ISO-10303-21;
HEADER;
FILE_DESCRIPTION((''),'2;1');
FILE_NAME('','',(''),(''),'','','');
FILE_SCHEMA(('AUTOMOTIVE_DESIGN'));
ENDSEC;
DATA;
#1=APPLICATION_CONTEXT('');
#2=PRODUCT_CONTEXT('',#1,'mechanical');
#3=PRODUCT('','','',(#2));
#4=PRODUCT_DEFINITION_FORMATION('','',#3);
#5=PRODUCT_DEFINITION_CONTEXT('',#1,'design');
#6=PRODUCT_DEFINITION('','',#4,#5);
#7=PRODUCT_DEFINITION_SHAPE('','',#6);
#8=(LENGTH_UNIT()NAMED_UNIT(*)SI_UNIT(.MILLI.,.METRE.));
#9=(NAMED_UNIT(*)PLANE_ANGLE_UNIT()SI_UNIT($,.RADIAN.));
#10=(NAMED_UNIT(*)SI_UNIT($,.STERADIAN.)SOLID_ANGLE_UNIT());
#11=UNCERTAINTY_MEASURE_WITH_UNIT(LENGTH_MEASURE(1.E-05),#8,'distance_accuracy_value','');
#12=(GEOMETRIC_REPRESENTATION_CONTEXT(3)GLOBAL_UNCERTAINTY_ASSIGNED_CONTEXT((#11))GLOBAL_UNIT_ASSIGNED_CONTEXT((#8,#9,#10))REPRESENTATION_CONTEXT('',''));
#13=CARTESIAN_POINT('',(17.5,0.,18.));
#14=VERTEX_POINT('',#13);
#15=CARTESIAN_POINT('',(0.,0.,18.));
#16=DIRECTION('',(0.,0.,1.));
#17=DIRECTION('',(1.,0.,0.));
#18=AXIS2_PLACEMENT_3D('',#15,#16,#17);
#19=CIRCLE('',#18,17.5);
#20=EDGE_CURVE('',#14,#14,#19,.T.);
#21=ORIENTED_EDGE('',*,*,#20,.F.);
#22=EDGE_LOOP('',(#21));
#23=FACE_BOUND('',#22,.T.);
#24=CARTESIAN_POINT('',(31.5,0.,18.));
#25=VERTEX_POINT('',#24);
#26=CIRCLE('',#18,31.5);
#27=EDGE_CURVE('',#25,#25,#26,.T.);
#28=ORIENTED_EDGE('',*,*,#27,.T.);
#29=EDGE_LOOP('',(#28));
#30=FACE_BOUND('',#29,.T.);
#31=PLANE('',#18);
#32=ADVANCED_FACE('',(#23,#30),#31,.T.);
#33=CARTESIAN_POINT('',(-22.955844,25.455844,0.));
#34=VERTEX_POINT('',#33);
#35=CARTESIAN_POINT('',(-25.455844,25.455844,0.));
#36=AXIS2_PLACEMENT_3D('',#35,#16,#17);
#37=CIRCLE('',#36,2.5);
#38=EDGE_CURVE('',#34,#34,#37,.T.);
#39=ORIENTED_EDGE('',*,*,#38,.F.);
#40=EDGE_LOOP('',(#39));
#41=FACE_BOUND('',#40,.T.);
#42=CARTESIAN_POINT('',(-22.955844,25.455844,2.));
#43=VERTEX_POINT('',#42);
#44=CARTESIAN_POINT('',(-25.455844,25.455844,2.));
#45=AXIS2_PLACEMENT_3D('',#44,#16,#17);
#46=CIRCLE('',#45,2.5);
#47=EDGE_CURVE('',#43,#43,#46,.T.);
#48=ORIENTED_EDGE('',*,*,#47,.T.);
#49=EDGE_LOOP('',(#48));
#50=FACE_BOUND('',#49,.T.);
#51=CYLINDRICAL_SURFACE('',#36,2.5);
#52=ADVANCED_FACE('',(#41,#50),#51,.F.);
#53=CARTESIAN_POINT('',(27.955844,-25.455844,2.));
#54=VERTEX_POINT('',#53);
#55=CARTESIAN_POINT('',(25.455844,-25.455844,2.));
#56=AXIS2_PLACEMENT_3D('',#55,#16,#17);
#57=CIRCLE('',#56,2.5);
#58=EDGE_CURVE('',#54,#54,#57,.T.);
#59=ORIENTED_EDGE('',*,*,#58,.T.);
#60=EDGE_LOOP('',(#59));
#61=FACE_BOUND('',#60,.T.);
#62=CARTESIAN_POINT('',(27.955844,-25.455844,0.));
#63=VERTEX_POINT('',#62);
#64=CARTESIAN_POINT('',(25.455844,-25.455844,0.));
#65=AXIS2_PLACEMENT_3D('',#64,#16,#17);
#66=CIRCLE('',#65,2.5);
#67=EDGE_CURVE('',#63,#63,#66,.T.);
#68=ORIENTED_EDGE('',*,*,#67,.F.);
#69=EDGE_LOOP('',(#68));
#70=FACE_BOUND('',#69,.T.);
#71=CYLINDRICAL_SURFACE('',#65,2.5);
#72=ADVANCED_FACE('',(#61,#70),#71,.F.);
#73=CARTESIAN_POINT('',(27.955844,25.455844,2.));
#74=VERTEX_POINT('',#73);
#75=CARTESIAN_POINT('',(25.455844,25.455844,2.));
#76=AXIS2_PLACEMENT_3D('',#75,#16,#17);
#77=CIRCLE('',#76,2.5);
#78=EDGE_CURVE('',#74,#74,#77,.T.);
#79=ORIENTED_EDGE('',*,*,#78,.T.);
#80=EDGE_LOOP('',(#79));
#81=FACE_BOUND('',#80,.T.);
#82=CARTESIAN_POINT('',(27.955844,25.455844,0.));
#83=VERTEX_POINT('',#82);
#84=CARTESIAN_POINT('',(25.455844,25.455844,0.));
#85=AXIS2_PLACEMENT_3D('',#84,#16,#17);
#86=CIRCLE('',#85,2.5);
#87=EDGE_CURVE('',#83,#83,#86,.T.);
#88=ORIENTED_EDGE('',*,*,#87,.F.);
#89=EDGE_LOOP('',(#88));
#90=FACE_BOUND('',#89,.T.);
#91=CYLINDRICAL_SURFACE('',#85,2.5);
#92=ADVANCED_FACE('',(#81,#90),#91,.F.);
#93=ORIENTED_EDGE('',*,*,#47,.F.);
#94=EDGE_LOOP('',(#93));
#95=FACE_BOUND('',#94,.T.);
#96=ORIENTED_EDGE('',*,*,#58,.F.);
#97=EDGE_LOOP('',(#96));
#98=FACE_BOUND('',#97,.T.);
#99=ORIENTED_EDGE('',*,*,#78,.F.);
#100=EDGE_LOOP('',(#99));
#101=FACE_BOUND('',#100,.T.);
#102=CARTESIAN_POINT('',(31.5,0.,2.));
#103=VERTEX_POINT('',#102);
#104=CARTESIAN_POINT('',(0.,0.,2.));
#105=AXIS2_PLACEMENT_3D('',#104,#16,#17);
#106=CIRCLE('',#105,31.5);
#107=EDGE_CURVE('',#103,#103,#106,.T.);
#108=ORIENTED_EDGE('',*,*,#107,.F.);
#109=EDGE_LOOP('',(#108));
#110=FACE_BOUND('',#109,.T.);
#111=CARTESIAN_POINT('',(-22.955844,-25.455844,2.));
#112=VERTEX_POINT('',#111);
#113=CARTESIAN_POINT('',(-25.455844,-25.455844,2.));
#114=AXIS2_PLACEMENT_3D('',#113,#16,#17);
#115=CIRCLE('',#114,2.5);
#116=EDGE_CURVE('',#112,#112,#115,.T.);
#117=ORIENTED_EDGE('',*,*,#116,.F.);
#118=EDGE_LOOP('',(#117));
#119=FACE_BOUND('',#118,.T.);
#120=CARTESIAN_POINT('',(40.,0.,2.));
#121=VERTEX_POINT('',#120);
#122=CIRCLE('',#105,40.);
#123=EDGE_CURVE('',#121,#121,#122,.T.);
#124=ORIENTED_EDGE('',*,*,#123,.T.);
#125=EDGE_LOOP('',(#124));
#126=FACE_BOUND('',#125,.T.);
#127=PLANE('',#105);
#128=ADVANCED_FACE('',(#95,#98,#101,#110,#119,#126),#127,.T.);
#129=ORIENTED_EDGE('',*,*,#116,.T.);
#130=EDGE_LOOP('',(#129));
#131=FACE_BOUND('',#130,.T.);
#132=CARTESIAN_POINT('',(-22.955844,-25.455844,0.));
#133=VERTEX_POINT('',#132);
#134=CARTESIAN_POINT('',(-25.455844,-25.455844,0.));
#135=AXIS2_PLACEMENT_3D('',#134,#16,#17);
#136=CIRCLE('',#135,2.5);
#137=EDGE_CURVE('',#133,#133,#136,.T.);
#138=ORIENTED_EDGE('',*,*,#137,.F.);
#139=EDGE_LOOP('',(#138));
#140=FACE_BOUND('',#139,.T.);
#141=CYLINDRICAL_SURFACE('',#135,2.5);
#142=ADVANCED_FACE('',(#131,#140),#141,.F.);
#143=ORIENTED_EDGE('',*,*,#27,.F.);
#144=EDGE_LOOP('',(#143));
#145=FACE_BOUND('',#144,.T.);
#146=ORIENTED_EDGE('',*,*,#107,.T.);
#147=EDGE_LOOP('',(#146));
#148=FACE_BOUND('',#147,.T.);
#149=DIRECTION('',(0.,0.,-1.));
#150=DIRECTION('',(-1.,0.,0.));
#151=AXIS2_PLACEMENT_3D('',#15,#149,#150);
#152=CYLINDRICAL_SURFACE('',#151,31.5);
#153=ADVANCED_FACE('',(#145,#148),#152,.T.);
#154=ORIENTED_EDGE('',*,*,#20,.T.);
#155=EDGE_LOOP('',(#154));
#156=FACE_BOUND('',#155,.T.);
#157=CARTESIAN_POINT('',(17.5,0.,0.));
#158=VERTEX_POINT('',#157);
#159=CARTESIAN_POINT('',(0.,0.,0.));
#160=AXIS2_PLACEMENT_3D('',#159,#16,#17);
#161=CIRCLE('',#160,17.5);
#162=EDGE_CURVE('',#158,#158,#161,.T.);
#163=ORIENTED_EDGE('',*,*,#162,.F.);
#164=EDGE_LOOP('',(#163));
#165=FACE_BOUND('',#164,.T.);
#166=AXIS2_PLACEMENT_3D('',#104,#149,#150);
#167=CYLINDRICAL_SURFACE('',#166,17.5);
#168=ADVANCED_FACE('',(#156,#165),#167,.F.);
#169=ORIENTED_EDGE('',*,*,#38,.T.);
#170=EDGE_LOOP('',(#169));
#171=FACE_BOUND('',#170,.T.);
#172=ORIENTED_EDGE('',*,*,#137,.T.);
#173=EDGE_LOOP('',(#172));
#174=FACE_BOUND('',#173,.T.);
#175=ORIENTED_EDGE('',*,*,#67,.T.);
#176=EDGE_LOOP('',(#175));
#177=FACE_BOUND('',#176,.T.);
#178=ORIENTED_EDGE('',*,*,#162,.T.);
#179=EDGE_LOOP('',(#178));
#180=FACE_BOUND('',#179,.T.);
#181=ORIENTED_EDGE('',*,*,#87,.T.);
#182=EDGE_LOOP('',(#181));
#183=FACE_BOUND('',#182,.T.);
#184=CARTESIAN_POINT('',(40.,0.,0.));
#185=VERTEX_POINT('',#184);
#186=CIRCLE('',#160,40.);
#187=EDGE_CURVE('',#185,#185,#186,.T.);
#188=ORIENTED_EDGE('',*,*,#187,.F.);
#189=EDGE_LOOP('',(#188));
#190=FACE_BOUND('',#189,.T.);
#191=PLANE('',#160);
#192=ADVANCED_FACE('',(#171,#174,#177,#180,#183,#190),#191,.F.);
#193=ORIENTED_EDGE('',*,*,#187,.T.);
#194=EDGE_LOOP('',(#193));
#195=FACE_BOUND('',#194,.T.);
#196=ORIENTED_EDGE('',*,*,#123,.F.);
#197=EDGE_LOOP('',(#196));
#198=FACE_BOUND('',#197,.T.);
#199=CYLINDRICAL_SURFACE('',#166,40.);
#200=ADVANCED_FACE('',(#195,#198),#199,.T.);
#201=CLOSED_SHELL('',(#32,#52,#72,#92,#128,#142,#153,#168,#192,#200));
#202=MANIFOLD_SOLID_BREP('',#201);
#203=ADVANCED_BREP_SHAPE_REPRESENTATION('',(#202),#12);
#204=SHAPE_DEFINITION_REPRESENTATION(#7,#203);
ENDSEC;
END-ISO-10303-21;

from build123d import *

# Parameters (mm, degrees)
SKETCH2_R           = 40
SKETCH2_R_2         = 17.5
BOSS_EXTRUDE1_DEPTH = 2
SKETCH3_R           = 31.5
SKETCH3_R_2         = 17.5
BOSS_EXTRUDE2_DEPTH = 16
SKETCH5_R           = 2.5
CUT_EXTRUDE1_DEPTH  = 59.787753827


with BuildPart() as part:
    # Sketch2 → Boss-Extrude1 (new body)
    with BuildSketch(Plane.XY):
        Circle(SKETCH2_R)
        Circle(SKETCH2_R_2, mode=Mode.SUBTRACT)
    extrude(amount=BOSS_EXTRUDE1_DEPTH)

    # Sketch3 → Boss-Extrude2 (add)
    with BuildSketch(Plane.XY.offset(2)):
        Circle(SKETCH3_R)
        Circle(SKETCH3_R_2, mode=Mode.SUBTRACT)
    extrude(amount=BOSS_EXTRUDE2_DEPTH)

    # Sketch5 → Cut-Extrude1 (cut, through all)
    with BuildSketch(Plane.XY.offset(2)):
        with Locations((25.455844123, 25.455844123)):
            Circle(SKETCH5_R)
        with Locations((25.455844123, -25.455844123)):
            Circle(SKETCH5_R)
        with Locations((-25.455844123, -25.455844123)):
            Circle(SKETCH5_R)
        with Locations((-25.455844123, 25.455844123)):
            Circle(SKETCH5_R)
    extrude(amount=-CUT_EXTRUDE1_DEPTH, mode=Mode.SUBTRACT)


solid = part.part
